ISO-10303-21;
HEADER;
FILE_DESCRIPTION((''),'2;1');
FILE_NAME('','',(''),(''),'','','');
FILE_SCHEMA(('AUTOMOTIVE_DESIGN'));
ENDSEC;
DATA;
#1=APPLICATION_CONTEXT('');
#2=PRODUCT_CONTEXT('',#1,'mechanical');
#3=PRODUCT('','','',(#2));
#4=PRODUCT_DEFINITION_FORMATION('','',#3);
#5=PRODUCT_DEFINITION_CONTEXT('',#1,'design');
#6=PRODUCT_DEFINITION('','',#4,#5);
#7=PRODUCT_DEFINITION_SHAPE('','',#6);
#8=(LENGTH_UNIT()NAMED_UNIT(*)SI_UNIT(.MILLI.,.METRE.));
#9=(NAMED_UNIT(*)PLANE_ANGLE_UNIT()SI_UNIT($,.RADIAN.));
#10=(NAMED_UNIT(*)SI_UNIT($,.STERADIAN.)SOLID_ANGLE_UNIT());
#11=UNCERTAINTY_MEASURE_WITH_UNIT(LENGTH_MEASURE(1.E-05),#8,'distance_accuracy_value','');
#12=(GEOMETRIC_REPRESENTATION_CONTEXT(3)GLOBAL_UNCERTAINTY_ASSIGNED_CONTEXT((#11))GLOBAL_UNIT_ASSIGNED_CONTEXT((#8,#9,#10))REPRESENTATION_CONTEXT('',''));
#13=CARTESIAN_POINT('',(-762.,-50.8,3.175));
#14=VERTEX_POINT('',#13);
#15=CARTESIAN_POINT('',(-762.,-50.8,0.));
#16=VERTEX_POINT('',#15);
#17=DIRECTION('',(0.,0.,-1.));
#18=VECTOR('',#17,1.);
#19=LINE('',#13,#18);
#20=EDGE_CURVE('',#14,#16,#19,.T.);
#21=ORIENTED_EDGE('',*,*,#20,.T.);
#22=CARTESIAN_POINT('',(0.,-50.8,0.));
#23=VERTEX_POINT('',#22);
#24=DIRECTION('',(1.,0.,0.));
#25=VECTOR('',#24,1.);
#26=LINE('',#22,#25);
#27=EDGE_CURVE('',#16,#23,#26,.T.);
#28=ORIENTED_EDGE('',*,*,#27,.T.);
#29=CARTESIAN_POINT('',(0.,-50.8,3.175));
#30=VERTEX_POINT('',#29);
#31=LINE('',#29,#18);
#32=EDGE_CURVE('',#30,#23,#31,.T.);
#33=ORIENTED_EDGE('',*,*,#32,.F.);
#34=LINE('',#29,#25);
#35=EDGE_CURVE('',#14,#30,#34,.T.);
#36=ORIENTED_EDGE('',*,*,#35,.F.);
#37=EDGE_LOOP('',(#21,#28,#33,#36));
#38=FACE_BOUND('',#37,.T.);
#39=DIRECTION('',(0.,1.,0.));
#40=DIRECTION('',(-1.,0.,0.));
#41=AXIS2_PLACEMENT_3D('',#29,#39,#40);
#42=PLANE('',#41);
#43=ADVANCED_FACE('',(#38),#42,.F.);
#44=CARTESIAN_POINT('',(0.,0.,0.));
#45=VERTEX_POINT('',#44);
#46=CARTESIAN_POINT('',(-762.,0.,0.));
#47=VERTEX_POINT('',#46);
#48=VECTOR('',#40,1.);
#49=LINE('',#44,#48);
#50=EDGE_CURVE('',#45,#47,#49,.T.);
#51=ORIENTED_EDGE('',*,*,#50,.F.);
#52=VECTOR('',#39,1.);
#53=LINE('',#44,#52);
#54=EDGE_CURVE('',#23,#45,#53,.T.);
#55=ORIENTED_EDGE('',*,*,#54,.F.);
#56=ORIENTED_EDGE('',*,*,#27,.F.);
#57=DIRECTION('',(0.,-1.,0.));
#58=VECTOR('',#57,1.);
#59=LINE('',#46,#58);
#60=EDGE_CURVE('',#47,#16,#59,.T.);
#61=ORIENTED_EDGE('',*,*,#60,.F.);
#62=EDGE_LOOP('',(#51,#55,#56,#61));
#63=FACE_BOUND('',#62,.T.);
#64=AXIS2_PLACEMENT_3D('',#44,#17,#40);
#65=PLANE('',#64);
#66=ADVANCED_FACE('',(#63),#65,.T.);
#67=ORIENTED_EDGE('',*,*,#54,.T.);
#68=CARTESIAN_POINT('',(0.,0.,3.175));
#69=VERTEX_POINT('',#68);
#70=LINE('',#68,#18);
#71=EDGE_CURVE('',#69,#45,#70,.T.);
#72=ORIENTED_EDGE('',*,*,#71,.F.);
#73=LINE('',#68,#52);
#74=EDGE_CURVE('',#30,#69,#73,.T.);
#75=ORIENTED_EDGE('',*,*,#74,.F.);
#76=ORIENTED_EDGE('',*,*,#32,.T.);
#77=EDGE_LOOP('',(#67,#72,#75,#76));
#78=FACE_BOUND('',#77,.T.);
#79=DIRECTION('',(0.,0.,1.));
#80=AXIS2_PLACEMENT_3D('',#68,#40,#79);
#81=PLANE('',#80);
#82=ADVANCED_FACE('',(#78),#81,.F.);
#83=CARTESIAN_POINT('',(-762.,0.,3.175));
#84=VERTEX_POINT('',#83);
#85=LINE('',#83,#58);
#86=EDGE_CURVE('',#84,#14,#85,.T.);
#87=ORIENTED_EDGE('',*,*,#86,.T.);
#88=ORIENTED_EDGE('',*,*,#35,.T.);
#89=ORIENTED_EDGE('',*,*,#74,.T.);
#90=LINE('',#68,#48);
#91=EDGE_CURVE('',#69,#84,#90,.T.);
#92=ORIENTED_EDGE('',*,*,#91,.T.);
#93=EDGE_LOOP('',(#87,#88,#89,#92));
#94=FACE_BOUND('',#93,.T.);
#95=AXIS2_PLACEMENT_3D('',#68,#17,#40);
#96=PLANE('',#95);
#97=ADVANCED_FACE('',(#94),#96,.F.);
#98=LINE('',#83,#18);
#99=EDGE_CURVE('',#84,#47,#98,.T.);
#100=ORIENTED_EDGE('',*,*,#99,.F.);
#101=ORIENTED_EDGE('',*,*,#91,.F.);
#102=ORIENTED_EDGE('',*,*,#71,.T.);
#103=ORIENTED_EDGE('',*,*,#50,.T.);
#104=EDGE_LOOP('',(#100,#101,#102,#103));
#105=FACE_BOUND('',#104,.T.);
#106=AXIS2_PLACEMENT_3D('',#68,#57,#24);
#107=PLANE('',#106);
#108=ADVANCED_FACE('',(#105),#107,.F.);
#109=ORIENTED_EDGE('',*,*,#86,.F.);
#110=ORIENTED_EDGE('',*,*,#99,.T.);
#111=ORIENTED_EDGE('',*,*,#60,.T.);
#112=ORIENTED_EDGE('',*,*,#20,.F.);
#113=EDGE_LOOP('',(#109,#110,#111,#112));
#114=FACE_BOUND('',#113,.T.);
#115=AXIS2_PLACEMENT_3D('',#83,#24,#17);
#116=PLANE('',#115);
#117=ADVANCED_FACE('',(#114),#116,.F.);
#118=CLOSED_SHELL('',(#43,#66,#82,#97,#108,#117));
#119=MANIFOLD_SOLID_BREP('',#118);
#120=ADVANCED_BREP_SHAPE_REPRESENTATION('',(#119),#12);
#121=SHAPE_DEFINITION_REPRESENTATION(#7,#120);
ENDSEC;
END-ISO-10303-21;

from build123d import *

# Parameters (mm, degrees)
SKETCH1_W           = 762
SKETCH1_H           = 50.8
BOSS_EXTRUDE1_DEPTH = 3.175


with BuildPart() as part:
    # Sketch1 → Boss-Extrude1 (new body)
    with BuildSketch(Plane.XY):
        with Locations((-381, -25.4)):
            Rectangle(SKETCH1_W, SKETCH1_H)
    extrude(amount=BOSS_EXTRUDE1_DEPTH)


solid = part.part
